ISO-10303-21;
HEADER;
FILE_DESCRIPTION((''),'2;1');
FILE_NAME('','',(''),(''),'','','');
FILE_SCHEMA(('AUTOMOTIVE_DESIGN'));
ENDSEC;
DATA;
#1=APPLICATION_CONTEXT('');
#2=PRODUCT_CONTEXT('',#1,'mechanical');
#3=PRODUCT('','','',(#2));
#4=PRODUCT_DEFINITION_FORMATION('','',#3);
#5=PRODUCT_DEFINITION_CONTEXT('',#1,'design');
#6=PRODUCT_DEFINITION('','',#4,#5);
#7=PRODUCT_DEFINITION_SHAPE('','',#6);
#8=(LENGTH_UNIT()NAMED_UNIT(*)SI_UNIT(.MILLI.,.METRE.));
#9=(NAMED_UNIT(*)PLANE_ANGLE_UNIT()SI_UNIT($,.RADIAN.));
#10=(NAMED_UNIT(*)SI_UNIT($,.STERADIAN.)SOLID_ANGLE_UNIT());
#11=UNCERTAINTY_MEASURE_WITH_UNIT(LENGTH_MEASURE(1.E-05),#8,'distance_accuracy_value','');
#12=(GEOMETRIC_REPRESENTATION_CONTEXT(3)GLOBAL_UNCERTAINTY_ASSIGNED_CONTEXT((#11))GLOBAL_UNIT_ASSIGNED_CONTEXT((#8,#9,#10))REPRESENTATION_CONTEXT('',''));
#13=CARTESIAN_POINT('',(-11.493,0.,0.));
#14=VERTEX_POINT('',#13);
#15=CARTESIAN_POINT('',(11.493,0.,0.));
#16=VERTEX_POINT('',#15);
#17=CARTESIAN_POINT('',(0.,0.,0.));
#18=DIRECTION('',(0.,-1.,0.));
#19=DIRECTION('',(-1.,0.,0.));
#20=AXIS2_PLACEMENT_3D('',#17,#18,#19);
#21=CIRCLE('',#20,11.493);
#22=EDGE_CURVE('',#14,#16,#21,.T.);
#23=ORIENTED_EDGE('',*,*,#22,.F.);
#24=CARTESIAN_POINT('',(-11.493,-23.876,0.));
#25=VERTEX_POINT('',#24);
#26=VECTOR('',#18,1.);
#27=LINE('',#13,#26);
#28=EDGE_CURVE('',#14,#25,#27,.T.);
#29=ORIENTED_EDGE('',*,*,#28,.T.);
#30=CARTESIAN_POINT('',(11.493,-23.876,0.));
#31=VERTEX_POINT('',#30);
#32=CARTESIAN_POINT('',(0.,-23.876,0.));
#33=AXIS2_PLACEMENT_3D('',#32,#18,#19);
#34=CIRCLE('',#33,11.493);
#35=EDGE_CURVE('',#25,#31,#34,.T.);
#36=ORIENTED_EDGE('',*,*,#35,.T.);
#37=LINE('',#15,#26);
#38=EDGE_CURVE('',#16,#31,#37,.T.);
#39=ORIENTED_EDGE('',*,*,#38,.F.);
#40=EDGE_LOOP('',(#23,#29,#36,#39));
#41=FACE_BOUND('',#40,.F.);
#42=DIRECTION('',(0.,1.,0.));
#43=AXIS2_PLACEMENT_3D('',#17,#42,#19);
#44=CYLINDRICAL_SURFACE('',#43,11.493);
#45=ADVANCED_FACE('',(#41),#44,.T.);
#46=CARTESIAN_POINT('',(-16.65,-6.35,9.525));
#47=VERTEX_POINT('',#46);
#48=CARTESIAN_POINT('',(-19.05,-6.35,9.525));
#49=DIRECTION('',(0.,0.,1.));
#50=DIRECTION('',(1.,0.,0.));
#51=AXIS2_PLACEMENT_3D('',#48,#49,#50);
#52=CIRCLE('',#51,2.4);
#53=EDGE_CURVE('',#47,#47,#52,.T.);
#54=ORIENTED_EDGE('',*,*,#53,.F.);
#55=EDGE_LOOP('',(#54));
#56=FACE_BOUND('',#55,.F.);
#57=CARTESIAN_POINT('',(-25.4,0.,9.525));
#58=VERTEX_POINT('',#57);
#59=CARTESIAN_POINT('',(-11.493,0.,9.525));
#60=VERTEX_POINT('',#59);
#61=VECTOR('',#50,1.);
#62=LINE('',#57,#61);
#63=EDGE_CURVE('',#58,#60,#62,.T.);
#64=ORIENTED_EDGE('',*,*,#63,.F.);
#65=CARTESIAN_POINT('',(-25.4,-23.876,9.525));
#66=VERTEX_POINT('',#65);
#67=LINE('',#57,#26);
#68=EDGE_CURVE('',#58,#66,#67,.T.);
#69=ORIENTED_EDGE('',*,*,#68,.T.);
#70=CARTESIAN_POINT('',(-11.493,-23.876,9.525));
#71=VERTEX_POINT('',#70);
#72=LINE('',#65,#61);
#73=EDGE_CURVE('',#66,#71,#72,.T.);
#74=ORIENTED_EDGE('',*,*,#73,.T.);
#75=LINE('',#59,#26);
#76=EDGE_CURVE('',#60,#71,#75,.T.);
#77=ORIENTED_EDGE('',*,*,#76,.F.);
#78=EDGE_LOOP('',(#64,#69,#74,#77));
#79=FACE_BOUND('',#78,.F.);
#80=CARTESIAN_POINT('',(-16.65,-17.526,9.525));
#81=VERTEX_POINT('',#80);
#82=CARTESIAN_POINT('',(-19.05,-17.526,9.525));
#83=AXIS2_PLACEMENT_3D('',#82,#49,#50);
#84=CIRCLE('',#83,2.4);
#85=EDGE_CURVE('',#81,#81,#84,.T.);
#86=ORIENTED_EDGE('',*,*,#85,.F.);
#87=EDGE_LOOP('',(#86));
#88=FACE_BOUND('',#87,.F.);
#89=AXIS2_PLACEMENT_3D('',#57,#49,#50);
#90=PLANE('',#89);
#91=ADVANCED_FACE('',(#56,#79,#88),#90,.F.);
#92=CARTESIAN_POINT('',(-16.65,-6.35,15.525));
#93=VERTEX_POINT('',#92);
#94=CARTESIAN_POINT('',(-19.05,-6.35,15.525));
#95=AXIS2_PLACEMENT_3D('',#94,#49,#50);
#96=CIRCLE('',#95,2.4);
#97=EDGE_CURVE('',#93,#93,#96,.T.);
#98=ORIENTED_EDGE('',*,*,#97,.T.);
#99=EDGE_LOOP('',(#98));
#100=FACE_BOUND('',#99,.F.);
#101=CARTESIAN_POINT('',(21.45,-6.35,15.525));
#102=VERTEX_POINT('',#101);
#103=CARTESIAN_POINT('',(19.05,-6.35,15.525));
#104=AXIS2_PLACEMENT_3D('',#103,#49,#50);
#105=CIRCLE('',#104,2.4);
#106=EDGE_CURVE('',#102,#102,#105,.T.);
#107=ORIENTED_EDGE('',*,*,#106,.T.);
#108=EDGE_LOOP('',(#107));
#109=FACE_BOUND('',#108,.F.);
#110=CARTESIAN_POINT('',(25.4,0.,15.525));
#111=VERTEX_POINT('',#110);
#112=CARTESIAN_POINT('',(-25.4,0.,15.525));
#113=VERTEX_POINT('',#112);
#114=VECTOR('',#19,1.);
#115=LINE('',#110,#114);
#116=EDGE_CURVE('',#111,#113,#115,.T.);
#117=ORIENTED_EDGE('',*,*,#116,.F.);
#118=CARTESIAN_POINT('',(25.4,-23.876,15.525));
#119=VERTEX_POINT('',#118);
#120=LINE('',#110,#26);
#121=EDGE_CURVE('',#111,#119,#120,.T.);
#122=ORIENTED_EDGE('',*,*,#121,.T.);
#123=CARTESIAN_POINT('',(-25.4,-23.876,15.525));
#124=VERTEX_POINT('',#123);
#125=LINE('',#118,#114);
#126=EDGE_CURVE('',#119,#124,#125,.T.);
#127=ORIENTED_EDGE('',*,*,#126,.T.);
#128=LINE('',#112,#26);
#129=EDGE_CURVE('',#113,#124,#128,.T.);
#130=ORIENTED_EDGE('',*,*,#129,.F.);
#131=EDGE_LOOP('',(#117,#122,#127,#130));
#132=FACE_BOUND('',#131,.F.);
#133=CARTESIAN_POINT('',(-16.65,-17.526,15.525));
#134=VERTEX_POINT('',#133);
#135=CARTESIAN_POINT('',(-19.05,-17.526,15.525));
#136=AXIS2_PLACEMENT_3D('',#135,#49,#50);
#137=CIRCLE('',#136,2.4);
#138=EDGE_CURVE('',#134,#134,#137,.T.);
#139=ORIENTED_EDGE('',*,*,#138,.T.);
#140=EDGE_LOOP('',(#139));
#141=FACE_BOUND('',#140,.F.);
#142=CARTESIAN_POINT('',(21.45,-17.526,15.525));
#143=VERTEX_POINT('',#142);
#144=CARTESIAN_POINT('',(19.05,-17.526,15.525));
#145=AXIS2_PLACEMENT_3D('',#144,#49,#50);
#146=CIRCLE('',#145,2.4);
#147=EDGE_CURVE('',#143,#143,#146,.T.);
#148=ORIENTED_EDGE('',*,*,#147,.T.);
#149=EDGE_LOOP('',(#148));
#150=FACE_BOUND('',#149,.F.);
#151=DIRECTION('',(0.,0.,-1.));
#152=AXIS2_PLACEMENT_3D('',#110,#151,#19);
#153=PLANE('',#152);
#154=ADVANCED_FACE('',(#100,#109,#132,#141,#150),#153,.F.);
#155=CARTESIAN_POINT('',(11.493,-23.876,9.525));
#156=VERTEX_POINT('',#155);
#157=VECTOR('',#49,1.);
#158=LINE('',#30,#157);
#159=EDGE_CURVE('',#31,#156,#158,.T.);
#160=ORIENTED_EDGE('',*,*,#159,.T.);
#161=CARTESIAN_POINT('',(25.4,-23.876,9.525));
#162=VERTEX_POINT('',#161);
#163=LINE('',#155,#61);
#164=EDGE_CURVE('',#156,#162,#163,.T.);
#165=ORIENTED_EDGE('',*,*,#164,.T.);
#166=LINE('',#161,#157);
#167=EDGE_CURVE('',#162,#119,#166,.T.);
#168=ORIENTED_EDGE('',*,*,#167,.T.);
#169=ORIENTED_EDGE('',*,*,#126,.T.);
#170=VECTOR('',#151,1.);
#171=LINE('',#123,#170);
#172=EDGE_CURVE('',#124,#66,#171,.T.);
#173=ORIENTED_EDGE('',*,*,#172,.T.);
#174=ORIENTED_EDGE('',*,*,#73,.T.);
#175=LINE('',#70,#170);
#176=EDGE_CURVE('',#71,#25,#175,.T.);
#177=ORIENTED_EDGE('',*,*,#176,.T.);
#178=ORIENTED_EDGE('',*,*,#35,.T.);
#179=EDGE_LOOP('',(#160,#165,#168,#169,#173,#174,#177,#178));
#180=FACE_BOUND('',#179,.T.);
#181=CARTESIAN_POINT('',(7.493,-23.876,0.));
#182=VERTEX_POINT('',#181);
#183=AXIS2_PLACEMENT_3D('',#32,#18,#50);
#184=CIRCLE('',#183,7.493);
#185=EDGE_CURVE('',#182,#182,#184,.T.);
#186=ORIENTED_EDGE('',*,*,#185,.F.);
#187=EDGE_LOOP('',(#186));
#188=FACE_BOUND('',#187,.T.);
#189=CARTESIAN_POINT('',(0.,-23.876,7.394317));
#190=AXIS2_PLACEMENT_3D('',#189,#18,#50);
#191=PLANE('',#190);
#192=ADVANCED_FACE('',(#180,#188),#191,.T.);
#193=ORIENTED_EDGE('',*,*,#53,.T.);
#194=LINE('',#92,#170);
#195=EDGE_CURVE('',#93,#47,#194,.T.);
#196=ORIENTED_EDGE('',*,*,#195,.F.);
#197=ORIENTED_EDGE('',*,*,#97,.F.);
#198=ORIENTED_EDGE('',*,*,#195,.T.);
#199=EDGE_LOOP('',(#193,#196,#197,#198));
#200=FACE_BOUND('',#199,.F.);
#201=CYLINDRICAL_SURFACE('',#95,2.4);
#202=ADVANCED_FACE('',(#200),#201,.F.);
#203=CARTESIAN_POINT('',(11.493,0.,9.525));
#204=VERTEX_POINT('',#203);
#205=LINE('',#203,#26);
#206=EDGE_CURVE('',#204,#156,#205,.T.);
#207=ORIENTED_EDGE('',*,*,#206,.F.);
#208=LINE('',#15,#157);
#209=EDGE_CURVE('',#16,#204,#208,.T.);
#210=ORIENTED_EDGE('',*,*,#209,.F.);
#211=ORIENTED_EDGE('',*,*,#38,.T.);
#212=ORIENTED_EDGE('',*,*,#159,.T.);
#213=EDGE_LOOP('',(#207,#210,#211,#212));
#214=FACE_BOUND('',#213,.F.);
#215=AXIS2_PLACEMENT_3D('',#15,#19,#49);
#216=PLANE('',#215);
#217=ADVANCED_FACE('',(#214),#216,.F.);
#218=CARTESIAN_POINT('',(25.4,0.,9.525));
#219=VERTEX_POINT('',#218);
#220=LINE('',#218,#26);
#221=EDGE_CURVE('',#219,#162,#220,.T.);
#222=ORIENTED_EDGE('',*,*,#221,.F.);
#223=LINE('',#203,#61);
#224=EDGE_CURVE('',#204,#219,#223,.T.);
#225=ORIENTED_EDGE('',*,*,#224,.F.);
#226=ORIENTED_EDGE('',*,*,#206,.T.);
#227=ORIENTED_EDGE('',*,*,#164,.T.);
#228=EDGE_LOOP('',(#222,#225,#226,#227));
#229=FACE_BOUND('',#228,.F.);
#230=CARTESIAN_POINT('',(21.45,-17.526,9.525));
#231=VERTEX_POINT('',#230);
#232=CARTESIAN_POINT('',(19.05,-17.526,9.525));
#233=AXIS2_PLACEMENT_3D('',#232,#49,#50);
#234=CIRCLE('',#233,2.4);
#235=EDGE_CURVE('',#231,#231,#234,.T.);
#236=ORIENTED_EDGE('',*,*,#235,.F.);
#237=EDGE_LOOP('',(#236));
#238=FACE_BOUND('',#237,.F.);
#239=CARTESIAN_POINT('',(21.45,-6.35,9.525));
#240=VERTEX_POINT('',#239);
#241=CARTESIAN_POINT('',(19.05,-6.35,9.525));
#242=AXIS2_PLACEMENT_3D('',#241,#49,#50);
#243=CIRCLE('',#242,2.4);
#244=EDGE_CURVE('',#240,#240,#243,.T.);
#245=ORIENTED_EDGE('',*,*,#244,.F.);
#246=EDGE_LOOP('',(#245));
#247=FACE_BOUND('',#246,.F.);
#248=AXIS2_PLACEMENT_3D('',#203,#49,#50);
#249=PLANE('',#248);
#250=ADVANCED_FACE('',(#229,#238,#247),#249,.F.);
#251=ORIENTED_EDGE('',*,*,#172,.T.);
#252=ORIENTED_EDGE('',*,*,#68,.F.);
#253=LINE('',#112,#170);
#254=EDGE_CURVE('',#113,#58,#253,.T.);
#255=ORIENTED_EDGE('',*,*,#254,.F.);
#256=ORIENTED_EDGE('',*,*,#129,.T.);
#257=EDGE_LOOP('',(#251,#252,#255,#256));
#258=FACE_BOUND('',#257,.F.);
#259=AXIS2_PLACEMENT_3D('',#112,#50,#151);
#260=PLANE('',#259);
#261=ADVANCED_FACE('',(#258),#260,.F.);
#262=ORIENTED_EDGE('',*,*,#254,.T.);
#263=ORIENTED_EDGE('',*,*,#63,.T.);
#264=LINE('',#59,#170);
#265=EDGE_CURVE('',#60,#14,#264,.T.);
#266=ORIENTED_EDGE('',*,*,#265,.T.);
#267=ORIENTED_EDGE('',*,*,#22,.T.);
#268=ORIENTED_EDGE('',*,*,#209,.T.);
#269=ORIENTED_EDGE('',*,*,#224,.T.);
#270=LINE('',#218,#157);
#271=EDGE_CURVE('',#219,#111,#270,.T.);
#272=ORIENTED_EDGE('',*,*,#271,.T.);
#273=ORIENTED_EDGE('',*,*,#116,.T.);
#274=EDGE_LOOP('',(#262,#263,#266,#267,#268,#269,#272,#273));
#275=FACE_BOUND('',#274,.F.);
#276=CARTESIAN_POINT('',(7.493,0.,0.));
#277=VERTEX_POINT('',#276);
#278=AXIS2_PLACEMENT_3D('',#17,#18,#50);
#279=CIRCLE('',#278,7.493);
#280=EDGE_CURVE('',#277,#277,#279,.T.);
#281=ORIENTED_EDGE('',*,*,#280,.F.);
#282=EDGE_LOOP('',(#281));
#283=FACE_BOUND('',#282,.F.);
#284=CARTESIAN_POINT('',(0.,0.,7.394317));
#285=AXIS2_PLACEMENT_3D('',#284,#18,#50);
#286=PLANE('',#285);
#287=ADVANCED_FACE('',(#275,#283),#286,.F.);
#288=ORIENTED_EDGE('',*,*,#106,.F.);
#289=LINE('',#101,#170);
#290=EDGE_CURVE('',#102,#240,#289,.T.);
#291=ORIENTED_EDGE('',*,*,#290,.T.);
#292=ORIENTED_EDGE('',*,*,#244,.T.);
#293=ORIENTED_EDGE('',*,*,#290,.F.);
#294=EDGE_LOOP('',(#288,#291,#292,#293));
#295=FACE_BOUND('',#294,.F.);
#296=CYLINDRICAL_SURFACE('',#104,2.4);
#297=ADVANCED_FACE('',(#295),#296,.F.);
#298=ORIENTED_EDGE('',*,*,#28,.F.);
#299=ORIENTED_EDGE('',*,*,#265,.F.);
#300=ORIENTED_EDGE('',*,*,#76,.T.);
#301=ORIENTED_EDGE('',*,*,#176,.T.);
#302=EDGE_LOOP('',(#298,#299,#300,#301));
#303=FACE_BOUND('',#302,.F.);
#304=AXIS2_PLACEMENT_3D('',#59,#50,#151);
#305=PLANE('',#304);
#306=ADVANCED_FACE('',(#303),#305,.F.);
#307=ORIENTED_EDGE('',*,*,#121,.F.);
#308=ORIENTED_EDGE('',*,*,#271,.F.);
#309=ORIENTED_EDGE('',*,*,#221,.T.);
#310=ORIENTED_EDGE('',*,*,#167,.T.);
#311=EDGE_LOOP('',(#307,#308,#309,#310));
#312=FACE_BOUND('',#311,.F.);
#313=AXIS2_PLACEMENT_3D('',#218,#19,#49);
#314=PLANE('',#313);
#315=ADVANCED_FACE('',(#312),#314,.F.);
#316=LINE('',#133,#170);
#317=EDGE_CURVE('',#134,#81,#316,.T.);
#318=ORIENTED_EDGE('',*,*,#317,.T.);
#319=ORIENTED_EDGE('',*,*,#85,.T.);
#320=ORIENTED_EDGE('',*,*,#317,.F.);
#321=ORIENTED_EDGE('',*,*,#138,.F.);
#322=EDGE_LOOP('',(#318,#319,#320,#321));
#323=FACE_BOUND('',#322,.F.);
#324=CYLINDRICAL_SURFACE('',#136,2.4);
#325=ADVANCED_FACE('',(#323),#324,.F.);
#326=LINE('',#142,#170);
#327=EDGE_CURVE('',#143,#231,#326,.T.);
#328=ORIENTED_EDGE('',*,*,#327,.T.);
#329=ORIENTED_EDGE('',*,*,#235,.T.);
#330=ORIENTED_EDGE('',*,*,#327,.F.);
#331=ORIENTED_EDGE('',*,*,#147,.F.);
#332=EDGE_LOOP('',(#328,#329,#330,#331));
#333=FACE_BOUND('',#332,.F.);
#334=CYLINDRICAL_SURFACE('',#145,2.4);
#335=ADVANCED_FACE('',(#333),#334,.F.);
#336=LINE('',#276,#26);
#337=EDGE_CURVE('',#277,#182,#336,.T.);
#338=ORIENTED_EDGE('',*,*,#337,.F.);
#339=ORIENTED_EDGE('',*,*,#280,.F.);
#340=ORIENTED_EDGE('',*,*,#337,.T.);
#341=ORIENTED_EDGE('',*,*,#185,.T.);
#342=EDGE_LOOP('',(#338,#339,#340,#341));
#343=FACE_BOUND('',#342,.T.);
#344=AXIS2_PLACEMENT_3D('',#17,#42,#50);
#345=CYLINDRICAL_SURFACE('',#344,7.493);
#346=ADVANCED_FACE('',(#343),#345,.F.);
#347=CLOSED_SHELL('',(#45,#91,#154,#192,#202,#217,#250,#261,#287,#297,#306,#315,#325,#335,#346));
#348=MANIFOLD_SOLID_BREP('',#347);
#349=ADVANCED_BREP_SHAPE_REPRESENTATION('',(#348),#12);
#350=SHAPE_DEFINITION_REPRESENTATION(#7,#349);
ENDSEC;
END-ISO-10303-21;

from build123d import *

# Parameters (mm, degrees)
F0_R     = 7.493
F1_DEPTH = 23.876
F2_R     = 2.4
F3_DEPTH = 6


with BuildPart() as f1:
    # F0 (on Front) → F1 (new body)
    with BuildSketch(Plane.XZ):
        with BuildLine():
            Line((25.4, 15.525), (-25.4, 15.525))
            Line((-25.4, 15.525), (-25.4, 9.525))
            Line((-25.4, 9.525), (-11.493, 9.525))
            Line((-11.493, 9.525), (-11.493, 0))
            ThreePointArc((-11.493, 0), (0, -11.493), (11.493, 0))
            Line((11.493, 0), (11.493, 9.525))
            Line((11.493, 9.525), (25.4, 9.525))
            Line((25.4, 9.525), (25.4, 15.525))
        make_face()
        Circle(F0_R, mode=Mode.SUBTRACT)
    extrude(amount=F1_DEPTH)

    # F2 (on face) → F3 (cut, through all)
    with BuildSketch(Plane.XY.offset(15.525)):
        with Locations((-19.05, -6.35)):
            Circle(F2_R)
        with Locations((-19.05, -17.526)):
            Circle(F2_R)
        with Locations((19.05, -17.526)):
            Circle(F2_R)
        with Locations((19.05, -6.35)):
            Circle(F2_R)
    extrude(amount=-F3_DEPTH, mode=Mode.SUBTRACT)


solid = f1.part
